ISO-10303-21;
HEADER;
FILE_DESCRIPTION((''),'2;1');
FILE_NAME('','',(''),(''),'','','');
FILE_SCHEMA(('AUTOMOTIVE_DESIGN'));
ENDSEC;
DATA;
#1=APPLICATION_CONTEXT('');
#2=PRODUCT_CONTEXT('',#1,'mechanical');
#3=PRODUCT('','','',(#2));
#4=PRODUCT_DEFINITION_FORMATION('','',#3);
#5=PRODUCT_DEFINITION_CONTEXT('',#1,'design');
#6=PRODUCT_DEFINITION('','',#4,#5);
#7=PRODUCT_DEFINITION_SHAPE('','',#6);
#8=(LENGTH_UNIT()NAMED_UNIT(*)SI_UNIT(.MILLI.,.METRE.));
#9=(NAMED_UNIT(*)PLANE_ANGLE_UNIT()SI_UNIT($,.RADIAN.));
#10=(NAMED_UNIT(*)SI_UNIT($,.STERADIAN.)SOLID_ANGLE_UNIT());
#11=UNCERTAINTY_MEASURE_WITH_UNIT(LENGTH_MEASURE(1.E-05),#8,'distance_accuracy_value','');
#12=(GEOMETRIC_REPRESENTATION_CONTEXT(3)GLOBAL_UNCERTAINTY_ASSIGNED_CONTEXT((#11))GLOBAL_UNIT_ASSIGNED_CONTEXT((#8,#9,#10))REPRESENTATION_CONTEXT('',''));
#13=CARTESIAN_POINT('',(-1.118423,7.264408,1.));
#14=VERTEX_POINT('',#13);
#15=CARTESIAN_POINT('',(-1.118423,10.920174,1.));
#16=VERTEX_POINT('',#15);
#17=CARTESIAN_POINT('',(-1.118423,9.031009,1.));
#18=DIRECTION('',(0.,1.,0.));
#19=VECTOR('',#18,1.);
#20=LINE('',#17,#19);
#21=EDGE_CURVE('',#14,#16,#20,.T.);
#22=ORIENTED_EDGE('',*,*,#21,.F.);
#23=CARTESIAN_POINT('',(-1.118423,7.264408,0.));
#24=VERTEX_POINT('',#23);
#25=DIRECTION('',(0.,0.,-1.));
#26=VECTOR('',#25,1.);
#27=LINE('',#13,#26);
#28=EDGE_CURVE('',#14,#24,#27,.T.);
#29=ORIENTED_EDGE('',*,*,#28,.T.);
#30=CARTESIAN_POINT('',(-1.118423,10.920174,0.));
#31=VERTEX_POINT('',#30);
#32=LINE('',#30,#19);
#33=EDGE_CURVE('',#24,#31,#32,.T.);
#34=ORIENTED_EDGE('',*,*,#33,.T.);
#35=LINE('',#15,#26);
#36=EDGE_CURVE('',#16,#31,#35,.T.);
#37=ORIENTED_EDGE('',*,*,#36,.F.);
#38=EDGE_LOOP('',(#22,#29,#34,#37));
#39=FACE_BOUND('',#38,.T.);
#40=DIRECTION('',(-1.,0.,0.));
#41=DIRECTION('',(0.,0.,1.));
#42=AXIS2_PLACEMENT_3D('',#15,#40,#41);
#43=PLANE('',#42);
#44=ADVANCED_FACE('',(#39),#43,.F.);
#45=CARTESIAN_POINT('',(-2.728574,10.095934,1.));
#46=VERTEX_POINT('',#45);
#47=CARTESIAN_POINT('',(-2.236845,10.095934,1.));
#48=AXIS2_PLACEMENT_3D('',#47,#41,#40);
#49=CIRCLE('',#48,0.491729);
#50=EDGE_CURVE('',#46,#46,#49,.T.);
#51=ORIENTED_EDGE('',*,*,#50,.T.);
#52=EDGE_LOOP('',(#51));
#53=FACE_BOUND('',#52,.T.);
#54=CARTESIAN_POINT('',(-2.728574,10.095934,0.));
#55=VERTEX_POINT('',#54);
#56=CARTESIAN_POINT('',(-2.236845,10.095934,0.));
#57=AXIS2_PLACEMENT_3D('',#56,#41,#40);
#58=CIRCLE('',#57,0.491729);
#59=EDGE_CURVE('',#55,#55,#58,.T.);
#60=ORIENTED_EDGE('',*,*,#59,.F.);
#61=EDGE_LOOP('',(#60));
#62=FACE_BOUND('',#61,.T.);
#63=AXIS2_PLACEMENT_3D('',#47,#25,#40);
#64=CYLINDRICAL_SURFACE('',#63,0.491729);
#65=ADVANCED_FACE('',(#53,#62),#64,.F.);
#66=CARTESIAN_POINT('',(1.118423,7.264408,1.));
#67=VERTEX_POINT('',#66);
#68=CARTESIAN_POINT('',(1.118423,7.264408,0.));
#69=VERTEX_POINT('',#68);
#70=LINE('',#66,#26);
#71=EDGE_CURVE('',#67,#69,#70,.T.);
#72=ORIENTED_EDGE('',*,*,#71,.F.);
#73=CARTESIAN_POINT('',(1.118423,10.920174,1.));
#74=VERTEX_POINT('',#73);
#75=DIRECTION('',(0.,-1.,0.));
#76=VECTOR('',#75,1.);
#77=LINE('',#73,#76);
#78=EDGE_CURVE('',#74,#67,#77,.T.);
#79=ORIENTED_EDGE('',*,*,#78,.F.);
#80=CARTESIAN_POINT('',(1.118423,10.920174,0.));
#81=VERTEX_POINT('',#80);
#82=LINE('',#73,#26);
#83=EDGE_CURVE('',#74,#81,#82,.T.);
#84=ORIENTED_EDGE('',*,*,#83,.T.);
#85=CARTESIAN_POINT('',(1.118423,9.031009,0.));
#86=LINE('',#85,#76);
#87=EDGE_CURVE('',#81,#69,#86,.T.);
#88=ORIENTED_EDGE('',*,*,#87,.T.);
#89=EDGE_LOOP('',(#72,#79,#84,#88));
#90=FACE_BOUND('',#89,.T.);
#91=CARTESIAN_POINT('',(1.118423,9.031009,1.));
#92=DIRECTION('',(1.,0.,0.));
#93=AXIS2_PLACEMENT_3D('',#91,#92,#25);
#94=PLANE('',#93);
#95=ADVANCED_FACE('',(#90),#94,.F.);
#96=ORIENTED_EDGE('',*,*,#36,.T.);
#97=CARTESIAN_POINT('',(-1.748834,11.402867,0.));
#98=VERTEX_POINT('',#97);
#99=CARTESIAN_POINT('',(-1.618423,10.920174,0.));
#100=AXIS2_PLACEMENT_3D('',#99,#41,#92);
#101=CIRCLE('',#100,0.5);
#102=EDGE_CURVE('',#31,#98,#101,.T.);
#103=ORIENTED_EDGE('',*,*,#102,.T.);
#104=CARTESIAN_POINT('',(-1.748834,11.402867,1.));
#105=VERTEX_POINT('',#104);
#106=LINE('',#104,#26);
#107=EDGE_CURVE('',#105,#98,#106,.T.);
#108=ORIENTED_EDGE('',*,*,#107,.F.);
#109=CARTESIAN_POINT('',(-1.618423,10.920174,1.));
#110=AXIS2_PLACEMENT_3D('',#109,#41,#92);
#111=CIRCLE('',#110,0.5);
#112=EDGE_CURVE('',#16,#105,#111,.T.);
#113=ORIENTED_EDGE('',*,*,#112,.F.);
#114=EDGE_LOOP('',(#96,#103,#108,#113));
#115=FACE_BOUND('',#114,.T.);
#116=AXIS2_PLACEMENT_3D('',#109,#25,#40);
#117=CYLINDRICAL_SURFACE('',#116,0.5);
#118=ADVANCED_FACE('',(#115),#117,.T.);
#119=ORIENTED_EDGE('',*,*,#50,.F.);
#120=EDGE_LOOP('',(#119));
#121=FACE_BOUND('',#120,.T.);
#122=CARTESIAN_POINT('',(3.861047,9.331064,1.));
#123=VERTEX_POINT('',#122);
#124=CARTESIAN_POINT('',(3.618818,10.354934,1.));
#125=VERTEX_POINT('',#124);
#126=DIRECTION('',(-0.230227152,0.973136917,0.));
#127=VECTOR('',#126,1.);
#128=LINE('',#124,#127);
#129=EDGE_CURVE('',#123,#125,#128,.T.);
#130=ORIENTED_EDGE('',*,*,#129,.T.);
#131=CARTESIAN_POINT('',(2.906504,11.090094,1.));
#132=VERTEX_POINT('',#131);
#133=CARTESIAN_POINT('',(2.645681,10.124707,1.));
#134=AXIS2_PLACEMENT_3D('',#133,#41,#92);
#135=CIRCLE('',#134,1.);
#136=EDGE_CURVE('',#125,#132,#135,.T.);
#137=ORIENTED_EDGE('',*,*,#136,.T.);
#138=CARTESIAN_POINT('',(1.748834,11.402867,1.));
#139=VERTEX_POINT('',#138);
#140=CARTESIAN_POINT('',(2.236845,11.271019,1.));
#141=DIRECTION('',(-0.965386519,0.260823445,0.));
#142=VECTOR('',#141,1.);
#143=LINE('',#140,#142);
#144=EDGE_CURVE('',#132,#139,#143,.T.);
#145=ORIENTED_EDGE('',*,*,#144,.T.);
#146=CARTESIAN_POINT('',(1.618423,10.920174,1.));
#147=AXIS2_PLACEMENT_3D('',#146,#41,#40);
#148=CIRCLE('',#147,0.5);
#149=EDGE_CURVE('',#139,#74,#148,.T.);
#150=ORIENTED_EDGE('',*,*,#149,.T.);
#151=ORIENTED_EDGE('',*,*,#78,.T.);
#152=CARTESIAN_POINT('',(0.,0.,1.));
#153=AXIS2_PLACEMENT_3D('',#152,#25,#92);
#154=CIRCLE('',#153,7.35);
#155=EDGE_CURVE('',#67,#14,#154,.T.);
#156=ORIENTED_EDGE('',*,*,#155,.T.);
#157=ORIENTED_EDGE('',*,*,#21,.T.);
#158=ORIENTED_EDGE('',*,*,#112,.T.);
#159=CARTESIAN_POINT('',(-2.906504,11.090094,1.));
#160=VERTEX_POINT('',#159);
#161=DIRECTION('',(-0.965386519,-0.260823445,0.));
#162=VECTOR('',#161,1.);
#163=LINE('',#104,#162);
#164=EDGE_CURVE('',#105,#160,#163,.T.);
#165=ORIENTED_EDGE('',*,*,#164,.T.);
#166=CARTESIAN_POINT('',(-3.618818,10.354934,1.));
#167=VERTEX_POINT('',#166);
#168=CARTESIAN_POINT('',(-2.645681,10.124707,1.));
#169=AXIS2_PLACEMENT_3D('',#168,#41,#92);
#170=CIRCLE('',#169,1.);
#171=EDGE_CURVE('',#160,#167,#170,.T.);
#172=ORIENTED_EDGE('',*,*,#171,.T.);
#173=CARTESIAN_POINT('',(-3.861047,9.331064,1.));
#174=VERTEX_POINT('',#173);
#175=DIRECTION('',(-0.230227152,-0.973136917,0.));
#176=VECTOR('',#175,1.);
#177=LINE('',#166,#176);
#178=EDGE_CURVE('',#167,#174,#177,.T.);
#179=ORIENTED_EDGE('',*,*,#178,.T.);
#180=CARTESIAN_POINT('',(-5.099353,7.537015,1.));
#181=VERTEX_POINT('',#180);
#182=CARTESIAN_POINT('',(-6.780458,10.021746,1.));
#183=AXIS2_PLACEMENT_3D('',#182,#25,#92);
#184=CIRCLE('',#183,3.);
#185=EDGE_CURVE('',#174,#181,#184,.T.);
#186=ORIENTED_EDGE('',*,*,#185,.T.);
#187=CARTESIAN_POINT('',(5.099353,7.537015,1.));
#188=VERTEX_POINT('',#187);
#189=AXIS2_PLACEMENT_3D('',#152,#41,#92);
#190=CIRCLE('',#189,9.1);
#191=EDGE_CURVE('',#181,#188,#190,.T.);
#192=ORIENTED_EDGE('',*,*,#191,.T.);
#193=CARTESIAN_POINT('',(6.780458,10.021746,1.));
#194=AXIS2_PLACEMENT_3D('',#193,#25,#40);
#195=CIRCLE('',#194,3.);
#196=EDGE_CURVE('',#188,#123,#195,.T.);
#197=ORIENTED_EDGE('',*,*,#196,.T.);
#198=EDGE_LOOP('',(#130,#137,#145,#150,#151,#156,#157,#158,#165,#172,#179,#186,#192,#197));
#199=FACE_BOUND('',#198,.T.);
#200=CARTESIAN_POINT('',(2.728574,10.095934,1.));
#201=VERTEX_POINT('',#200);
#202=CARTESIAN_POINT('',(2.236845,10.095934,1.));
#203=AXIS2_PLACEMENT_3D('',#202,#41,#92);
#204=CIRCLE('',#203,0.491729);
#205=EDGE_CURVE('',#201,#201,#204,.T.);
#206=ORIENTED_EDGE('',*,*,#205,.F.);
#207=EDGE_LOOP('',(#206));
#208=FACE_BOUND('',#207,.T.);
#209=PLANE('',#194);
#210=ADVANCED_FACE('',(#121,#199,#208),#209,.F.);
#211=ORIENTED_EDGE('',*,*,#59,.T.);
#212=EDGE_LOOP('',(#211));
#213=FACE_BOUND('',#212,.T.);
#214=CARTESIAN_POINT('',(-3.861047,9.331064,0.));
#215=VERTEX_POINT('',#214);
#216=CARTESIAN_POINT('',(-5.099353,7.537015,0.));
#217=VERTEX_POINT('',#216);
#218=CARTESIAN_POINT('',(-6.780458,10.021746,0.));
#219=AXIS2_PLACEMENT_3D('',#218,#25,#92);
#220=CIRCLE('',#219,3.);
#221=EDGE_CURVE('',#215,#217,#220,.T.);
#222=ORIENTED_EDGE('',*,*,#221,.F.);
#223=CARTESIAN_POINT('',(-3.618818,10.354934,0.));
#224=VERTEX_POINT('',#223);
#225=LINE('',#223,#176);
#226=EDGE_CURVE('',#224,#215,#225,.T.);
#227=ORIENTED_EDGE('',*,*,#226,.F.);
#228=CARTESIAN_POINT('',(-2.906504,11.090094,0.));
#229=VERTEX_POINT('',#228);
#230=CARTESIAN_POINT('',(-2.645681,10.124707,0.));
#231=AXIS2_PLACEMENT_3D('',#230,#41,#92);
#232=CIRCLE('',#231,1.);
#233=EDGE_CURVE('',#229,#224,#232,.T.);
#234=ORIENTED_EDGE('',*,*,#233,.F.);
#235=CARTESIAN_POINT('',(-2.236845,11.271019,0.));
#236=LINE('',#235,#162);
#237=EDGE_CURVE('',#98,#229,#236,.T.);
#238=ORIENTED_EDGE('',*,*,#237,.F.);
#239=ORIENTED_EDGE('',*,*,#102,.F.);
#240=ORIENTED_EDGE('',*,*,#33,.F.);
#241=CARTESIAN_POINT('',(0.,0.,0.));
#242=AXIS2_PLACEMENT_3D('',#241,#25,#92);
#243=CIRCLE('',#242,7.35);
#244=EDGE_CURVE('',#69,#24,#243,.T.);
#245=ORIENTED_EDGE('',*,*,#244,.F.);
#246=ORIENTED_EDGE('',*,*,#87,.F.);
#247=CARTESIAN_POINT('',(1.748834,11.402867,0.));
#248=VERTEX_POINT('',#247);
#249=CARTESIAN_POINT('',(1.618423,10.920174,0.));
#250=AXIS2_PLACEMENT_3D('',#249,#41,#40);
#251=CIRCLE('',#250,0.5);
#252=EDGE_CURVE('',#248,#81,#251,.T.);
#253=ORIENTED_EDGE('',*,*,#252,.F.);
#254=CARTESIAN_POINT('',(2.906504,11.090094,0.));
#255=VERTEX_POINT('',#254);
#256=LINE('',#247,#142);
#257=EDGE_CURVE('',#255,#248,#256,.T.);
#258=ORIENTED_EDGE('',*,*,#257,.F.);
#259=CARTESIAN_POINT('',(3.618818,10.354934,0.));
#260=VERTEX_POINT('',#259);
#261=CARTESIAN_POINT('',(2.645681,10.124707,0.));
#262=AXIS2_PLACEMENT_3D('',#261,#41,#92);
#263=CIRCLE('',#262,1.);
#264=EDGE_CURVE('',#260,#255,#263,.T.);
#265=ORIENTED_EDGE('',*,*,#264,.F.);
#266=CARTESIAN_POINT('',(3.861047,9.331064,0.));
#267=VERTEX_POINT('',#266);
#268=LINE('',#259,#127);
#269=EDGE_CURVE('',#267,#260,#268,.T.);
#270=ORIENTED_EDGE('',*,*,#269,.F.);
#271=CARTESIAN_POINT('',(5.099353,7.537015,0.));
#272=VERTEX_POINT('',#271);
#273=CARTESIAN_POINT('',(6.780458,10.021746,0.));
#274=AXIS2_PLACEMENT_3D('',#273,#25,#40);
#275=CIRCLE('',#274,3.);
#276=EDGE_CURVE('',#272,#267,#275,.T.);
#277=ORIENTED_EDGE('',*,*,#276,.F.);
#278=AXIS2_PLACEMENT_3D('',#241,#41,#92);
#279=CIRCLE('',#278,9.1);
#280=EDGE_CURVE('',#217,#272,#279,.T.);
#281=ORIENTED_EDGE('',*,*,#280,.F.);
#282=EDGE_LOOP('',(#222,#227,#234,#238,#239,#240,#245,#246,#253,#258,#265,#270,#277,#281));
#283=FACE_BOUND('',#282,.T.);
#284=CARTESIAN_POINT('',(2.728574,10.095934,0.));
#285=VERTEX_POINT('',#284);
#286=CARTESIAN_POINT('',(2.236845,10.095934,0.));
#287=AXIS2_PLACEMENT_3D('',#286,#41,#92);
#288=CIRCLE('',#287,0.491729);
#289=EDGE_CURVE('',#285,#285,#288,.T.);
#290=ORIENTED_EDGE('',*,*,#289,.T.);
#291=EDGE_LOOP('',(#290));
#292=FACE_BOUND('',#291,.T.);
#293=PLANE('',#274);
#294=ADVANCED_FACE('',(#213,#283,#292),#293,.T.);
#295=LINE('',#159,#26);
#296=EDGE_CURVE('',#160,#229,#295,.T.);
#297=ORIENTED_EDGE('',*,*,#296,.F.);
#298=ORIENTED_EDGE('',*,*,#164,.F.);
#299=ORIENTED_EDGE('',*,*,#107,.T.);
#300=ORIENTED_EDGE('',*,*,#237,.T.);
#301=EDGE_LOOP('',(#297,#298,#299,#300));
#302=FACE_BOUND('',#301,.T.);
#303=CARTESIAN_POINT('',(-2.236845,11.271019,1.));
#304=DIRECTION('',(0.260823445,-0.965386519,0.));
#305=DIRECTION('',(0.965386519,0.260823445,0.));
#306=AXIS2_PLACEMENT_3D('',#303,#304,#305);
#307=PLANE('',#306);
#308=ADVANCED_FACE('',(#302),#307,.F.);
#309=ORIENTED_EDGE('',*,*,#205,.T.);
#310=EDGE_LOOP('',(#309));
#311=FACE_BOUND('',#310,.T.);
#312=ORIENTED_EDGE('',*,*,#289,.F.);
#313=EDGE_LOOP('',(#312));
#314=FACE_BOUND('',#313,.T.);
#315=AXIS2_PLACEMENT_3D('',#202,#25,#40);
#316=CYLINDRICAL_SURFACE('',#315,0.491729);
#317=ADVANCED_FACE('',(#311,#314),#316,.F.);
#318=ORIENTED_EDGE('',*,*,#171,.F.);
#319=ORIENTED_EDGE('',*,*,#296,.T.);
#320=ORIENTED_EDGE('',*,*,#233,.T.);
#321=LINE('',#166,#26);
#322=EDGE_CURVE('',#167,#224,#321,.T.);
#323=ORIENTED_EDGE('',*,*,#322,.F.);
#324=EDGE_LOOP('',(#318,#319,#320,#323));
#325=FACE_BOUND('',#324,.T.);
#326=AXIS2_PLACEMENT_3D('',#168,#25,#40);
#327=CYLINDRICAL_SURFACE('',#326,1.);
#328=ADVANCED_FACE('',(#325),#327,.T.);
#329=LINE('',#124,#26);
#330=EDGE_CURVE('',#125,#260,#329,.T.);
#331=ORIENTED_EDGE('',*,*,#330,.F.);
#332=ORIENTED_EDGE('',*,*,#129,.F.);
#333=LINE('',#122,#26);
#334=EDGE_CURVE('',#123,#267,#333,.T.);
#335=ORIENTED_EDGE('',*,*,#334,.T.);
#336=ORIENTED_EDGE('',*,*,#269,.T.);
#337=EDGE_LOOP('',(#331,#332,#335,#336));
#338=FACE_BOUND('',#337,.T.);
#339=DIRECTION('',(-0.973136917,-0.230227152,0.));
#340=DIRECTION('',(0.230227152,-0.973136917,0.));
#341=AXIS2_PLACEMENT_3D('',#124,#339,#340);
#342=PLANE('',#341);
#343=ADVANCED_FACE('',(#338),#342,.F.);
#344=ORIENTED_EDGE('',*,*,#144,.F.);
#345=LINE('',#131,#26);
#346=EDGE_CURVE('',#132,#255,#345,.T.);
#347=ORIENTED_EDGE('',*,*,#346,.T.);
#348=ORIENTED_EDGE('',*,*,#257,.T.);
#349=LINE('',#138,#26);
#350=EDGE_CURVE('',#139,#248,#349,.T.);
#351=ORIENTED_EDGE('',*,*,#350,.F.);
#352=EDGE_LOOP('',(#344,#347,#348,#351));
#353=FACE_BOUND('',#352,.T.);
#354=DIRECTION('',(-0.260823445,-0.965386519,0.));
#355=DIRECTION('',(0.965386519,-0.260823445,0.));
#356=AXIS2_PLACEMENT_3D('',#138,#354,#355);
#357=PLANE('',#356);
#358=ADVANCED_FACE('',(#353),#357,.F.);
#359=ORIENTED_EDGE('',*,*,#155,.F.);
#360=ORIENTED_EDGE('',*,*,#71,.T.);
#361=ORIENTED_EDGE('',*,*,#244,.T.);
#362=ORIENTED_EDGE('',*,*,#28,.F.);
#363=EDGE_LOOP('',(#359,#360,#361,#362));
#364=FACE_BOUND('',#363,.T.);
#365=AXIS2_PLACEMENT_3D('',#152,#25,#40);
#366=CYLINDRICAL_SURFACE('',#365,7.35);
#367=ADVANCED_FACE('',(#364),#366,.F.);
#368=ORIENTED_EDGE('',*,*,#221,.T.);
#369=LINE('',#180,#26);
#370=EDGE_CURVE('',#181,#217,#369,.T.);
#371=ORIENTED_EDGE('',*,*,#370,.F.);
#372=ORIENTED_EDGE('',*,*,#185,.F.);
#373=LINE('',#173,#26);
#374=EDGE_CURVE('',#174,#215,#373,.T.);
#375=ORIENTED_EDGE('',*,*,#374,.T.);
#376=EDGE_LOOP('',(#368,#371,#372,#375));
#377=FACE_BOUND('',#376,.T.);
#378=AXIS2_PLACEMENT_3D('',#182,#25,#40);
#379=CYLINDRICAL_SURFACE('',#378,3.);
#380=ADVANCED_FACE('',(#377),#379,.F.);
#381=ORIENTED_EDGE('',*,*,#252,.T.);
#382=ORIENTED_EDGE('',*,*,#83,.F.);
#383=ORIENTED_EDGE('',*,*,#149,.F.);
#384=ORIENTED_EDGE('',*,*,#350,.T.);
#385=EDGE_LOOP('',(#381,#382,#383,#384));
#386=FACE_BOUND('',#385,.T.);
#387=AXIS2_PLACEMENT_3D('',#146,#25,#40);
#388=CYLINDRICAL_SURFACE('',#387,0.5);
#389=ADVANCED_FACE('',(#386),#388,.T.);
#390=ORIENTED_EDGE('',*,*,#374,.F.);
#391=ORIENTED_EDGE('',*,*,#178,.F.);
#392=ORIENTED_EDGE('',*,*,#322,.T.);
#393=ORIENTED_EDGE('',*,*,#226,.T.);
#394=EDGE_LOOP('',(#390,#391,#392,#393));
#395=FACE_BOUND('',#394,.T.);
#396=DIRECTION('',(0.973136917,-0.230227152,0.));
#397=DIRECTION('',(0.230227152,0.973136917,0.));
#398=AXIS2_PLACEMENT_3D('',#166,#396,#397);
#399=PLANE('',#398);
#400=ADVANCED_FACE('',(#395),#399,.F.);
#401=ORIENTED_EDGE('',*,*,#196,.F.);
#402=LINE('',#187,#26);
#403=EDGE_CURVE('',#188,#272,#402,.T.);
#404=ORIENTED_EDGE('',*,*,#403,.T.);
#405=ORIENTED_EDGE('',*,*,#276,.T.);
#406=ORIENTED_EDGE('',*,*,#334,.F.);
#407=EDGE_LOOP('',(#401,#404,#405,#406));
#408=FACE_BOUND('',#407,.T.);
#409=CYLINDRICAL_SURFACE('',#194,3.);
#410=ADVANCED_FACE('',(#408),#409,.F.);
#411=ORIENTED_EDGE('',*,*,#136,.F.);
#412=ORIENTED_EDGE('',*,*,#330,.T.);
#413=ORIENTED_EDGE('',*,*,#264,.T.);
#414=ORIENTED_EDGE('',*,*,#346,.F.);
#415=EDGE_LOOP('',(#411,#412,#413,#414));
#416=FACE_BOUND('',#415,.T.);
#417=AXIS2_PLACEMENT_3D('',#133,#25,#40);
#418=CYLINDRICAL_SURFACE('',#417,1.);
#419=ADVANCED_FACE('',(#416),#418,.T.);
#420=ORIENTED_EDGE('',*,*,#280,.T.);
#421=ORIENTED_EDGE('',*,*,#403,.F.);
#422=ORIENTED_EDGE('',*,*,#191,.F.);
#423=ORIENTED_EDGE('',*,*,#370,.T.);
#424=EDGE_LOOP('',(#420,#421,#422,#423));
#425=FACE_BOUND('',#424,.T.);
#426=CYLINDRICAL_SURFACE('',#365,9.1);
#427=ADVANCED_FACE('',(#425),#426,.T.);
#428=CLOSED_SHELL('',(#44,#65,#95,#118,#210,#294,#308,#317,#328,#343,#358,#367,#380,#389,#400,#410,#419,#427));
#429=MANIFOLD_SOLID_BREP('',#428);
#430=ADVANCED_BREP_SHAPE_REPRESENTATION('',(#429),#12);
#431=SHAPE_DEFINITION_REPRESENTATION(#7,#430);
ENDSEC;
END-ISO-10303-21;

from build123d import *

# Parameters (mm, degrees)
SKETCH_1_R      = 0.491728838
EXTRUDE_1_DEPTH = 1


with BuildPart() as part:
    # 草图1 → 凸台-拉伸1 (new body)
    with BuildSketch(Plane.XY):
        with BuildLine():
            Line((1.748834408, 11.402867185), (2.236845371, 11.271018751))
            Line((2.236845371, 11.271018751), (2.906504263, 11.090093561))
            ThreePointArc((2.906504263, 11.090093561), (3.363858628, 10.820566678), (3.618817735, 10.354934194))
            Line((3.618817735, 10.354934194), (3.861047435, 9.33106424))
            ThreePointArc((3.861047435, 9.33106424), (4.311482707, 8.317586053), (5.09935285, 7.537015358))
            ThreePointArc((5.09935285, 7.537015358), (0, -9.1), (-5.09935285, 7.537015358))
            ThreePointArc((-5.09935285, 7.537015358), (-4.311482707, 8.317586053), (-3.861047435, 9.33106424))
            Line((-3.861047435, 9.33106424), (-3.618817735, 10.354934194))
            ThreePointArc((-3.618817735, 10.354934194), (-3.363858628, 10.820566678), (-2.906504263, 11.090093561))
            Line((-2.906504263, 11.090093561), (-2.236845371, 11.271018751))
            Line((-2.236845371, 11.271018751), (-1.748834408, 11.402867185))
            ThreePointArc((-1.748834408, 11.402867185), (-1.314453823, 11.317166281), (-1.118422685, 10.920173925))
            Line((-1.118422685, 10.920173925), (-1.118422685, 9.031009395))
            Line((-1.118422685, 9.031009395), (-1.118422685, 7.264408489))
            ThreePointArc((-1.118422685, 7.264408489), (0, -7.35), (1.118422685, 7.264408489))
            Line((1.118422685, 7.264408489), (1.118422685, 9.031009395))
            Line((1.118422685, 9.031009395), (1.118422685, 10.920173925))
            ThreePointArc((1.118422685, 10.920173925), (1.314453823, 11.317166281), (1.748834408, 11.402867185))
        make_face()
        with Locations((2.236845371, 10.095934401)):
            Circle(SKETCH_1_R, mode=Mode.SUBTRACT)
        with Locations(Location((-2.236845371, 10.095934401, 0), (0, 0, 180))):
            Circle(SKETCH_1_R, mode=Mode.SUBTRACT)
    extrude(amount=EXTRUDE_1_DEPTH)


solid = part.part
